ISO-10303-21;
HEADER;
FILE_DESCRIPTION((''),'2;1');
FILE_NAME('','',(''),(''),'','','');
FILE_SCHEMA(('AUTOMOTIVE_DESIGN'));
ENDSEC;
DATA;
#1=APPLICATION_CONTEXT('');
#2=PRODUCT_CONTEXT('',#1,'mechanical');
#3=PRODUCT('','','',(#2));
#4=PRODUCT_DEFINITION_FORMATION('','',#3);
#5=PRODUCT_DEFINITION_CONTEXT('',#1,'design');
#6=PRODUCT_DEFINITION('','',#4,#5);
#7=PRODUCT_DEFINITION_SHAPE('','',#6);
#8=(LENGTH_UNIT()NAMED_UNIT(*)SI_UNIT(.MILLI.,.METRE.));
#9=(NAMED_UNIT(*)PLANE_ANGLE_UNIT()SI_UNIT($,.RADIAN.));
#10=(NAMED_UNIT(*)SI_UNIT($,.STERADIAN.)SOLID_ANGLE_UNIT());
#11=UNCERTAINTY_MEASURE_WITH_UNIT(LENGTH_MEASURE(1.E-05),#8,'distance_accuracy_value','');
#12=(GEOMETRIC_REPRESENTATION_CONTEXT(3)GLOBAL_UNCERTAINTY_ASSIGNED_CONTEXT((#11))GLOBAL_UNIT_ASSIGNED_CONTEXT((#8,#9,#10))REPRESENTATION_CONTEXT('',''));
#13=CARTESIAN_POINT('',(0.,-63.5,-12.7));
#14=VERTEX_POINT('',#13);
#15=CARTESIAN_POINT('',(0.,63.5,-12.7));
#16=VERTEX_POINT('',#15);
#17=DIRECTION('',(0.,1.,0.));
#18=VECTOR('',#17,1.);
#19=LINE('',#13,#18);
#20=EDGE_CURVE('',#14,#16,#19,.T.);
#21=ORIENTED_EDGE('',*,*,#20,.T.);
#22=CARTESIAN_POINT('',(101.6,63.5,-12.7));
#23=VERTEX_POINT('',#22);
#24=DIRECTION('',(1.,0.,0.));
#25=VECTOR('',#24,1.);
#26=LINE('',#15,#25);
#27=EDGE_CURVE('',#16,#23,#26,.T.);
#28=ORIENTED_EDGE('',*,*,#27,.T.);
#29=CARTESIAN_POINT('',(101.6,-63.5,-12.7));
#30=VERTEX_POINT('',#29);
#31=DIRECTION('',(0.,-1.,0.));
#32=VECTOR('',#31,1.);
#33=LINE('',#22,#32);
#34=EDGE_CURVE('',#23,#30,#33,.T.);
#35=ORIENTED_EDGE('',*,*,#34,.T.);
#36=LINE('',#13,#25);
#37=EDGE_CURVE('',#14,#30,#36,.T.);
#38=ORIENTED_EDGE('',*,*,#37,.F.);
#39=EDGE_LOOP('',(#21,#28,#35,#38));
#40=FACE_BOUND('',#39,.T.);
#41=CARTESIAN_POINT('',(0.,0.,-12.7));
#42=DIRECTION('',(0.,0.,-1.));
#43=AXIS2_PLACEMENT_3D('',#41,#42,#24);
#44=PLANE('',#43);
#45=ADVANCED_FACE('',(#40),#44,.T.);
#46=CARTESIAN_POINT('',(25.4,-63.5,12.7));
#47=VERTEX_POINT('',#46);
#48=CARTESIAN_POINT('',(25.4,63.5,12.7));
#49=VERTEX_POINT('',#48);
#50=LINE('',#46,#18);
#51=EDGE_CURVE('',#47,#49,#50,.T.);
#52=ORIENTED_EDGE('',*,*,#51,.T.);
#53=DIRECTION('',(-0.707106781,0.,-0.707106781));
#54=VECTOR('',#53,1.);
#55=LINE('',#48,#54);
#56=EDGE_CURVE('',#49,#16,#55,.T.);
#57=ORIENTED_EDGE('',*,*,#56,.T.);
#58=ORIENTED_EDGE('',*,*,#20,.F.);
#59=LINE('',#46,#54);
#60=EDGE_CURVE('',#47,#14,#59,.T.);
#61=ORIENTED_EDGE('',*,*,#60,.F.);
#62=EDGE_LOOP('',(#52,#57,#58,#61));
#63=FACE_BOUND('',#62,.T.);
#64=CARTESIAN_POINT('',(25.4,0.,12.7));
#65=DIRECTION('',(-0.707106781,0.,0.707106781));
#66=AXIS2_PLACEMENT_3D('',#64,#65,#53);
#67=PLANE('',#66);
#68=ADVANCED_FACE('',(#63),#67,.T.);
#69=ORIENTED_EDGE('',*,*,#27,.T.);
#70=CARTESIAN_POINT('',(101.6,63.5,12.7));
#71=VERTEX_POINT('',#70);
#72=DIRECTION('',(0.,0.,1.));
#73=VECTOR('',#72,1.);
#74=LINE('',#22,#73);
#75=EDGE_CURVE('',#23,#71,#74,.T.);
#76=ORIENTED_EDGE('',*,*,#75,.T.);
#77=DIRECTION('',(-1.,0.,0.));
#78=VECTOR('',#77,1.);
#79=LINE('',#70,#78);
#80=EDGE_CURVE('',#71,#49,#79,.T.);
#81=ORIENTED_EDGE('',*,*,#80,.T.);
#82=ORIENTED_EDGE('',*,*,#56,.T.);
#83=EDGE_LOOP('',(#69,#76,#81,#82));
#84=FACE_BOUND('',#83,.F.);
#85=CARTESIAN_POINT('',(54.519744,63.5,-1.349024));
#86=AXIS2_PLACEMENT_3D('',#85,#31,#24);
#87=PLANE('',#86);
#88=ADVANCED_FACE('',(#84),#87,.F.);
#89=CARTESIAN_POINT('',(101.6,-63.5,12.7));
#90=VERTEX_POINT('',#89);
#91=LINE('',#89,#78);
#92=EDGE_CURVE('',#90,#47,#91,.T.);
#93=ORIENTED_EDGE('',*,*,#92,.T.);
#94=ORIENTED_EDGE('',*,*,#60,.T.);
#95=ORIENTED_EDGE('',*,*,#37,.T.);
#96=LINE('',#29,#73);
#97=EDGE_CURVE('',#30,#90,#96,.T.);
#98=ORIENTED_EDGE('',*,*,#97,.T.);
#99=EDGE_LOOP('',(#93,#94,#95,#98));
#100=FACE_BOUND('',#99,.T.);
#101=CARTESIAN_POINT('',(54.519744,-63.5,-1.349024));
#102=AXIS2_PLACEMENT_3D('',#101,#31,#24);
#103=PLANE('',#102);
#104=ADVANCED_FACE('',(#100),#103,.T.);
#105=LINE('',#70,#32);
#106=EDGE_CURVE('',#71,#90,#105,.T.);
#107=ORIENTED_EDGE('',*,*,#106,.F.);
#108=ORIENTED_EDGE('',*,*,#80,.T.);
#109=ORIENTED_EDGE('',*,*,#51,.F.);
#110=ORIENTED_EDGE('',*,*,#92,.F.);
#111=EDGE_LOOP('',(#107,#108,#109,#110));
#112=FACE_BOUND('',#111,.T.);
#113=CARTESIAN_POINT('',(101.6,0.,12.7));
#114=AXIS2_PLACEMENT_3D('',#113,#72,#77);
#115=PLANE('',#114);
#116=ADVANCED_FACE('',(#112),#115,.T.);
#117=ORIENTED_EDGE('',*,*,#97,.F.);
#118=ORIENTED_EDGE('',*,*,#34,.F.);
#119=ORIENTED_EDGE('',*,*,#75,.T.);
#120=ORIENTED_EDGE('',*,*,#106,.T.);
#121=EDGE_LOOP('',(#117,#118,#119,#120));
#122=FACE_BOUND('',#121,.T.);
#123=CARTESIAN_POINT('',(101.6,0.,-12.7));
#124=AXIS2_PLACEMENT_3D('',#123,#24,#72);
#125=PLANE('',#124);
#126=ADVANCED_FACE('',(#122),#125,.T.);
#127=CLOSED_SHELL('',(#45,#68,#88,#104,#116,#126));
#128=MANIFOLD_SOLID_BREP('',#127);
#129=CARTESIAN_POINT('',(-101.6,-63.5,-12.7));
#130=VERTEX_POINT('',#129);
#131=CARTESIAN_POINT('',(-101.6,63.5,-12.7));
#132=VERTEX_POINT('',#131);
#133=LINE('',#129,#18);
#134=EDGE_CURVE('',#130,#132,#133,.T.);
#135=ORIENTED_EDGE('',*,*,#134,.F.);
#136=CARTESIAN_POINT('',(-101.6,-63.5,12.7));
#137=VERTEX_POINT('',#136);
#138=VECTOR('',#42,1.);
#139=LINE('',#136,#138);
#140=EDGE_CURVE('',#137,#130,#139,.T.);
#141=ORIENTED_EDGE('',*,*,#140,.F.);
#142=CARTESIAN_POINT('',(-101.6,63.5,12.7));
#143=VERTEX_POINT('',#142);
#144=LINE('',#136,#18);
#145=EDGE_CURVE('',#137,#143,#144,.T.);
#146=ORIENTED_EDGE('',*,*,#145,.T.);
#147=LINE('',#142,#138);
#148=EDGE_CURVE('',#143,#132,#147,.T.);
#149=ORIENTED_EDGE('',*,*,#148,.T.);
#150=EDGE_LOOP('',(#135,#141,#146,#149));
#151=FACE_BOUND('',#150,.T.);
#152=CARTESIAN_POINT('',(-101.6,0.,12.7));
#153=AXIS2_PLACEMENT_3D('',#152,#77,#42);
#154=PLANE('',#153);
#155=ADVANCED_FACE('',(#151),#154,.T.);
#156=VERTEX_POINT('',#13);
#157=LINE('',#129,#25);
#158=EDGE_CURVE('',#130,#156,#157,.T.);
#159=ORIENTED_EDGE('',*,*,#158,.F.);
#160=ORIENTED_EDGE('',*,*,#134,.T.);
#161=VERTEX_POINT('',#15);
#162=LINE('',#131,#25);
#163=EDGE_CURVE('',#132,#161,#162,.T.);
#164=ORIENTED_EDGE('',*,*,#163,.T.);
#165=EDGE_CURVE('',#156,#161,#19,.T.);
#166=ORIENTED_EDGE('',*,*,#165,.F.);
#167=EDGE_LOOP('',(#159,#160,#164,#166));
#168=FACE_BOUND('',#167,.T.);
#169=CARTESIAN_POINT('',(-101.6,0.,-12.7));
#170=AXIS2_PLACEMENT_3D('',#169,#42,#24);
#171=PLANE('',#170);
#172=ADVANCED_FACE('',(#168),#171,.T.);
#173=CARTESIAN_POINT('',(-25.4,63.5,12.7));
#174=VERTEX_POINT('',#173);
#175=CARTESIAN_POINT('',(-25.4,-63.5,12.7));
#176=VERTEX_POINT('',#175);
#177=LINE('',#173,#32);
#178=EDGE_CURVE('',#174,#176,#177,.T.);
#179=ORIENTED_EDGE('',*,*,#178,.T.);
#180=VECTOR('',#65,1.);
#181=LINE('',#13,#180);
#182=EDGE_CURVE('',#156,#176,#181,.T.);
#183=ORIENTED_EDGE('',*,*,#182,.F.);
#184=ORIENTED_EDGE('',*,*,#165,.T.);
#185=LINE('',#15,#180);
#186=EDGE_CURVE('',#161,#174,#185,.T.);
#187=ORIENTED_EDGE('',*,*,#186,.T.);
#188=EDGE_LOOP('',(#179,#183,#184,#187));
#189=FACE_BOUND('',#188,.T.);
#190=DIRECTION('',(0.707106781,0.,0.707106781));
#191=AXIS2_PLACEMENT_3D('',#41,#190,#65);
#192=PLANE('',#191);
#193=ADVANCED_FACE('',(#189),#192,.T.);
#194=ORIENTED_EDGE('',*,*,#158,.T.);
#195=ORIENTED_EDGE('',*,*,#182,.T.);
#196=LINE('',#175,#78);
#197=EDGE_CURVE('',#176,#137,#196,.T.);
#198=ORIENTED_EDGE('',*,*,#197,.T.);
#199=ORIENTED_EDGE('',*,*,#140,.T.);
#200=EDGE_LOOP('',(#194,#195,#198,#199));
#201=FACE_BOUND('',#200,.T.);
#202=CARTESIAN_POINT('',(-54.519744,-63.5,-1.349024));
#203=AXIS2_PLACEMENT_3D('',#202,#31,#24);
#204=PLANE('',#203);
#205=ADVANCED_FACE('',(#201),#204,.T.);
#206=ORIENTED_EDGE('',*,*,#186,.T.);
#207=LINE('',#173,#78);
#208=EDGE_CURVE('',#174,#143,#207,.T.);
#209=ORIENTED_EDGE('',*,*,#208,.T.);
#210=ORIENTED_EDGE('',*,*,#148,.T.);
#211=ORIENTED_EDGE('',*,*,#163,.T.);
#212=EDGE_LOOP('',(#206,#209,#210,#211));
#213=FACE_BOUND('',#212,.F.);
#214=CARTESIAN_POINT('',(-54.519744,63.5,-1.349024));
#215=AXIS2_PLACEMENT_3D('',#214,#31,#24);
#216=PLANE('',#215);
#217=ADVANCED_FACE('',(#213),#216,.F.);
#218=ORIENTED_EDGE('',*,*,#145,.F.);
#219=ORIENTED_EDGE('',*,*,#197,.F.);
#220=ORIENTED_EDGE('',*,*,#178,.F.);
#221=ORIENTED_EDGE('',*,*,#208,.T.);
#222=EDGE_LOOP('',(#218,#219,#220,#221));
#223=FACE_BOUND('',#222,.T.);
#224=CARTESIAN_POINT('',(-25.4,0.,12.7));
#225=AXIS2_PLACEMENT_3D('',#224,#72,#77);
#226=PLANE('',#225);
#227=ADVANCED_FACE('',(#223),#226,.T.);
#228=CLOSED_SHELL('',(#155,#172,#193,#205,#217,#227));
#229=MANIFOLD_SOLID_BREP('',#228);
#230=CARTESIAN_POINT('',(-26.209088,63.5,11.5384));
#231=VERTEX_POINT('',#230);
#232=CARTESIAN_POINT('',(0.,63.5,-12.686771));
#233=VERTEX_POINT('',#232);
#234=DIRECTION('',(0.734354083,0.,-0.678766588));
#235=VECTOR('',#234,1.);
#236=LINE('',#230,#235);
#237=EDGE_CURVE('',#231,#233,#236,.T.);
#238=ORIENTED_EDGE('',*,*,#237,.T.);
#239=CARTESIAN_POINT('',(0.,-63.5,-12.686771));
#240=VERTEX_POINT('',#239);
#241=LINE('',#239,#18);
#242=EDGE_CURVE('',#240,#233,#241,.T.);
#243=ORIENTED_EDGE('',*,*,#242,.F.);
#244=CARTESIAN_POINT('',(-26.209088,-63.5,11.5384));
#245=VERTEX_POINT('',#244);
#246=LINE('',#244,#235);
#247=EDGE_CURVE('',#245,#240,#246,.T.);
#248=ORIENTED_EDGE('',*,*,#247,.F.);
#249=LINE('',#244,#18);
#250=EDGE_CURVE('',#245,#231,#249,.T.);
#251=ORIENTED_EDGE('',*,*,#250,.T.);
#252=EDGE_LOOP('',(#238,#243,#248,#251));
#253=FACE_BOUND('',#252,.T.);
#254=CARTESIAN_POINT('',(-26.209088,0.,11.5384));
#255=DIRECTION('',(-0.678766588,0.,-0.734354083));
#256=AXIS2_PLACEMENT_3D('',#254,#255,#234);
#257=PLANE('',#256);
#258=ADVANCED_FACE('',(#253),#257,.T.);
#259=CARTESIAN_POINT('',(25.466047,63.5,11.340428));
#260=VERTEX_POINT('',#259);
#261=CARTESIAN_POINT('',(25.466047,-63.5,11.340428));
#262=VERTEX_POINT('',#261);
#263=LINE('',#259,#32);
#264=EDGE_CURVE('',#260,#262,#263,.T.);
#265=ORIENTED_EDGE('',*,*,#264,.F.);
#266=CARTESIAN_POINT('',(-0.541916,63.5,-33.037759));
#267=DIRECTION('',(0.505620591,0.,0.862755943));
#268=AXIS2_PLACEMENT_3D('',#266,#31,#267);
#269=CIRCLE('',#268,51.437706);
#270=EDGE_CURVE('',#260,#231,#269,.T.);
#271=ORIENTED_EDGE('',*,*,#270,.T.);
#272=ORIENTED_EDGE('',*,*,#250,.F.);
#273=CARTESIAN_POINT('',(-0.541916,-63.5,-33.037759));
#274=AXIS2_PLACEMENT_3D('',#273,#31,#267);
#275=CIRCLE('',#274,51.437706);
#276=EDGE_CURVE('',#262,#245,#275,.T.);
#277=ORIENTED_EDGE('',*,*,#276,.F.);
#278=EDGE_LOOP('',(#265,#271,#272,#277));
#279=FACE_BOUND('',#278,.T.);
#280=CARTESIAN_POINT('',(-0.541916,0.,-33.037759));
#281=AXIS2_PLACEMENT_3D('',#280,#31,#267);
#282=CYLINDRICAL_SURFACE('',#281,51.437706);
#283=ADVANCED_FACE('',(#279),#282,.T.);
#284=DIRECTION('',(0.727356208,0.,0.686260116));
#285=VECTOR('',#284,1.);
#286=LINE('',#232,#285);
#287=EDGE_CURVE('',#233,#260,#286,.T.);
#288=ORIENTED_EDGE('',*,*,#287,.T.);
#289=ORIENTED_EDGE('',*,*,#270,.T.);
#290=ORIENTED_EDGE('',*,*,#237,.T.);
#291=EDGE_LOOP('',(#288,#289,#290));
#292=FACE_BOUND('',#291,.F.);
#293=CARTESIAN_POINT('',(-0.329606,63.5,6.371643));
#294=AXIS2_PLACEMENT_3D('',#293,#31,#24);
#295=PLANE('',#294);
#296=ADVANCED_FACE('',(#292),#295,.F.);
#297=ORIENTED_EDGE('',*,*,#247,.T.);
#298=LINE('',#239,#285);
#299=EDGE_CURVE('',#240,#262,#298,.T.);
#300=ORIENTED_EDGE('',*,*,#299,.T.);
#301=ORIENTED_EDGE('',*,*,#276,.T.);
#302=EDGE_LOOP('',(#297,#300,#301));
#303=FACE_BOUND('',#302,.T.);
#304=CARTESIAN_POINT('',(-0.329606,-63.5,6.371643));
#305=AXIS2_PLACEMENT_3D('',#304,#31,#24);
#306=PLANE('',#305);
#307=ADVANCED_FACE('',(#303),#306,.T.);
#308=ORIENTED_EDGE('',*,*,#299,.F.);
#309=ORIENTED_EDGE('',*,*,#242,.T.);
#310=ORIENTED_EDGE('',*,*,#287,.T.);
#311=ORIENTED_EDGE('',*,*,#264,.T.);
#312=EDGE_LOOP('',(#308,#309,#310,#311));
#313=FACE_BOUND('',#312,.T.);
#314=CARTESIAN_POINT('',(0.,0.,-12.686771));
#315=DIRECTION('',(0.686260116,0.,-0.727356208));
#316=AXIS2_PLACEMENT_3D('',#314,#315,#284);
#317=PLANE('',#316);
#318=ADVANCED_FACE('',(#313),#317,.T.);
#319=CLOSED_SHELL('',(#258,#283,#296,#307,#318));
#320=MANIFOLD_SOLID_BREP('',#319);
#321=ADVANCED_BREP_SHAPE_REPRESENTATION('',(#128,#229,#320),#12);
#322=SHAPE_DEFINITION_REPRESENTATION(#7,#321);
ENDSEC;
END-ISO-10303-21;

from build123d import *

# Parameters (mm, degrees)
F1_DEPTH = 63.5
F3_DEPTH = 63.5


with BuildPart() as f1:
    # F0 (on Front) → F1 (new body, symmetric)
    with BuildSketch(Plane.XZ):
        Polygon((-101.6, -12.7), (0, -12.7), (-25.4, 12.7), (-101.6, 12.7), align=None)
        Polygon((0, -12.7), (101.6, -12.7), (101.6, 12.7), (25.4, 12.7), align=None)
    extrude(amount=F1_DEPTH, both=True)


with BuildPart() as f3:
    # F2 (on Front) → F3 (new body, symmetric)
    with BuildSketch(Plane.XZ):
        with BuildLine():
            Line((0, -12.686771), (25.466047, 11.340428))
            ThreePointArc((25.466047, 11.340428), (-0.344855, 18.39957), (-26.209088, 11.5384))
            Line((-26.209088, 11.5384), (0, -12.686771))
        make_face()
    extrude(amount=F3_DEPTH, both=True)


solid = Compound([f1.part, f3.part])
